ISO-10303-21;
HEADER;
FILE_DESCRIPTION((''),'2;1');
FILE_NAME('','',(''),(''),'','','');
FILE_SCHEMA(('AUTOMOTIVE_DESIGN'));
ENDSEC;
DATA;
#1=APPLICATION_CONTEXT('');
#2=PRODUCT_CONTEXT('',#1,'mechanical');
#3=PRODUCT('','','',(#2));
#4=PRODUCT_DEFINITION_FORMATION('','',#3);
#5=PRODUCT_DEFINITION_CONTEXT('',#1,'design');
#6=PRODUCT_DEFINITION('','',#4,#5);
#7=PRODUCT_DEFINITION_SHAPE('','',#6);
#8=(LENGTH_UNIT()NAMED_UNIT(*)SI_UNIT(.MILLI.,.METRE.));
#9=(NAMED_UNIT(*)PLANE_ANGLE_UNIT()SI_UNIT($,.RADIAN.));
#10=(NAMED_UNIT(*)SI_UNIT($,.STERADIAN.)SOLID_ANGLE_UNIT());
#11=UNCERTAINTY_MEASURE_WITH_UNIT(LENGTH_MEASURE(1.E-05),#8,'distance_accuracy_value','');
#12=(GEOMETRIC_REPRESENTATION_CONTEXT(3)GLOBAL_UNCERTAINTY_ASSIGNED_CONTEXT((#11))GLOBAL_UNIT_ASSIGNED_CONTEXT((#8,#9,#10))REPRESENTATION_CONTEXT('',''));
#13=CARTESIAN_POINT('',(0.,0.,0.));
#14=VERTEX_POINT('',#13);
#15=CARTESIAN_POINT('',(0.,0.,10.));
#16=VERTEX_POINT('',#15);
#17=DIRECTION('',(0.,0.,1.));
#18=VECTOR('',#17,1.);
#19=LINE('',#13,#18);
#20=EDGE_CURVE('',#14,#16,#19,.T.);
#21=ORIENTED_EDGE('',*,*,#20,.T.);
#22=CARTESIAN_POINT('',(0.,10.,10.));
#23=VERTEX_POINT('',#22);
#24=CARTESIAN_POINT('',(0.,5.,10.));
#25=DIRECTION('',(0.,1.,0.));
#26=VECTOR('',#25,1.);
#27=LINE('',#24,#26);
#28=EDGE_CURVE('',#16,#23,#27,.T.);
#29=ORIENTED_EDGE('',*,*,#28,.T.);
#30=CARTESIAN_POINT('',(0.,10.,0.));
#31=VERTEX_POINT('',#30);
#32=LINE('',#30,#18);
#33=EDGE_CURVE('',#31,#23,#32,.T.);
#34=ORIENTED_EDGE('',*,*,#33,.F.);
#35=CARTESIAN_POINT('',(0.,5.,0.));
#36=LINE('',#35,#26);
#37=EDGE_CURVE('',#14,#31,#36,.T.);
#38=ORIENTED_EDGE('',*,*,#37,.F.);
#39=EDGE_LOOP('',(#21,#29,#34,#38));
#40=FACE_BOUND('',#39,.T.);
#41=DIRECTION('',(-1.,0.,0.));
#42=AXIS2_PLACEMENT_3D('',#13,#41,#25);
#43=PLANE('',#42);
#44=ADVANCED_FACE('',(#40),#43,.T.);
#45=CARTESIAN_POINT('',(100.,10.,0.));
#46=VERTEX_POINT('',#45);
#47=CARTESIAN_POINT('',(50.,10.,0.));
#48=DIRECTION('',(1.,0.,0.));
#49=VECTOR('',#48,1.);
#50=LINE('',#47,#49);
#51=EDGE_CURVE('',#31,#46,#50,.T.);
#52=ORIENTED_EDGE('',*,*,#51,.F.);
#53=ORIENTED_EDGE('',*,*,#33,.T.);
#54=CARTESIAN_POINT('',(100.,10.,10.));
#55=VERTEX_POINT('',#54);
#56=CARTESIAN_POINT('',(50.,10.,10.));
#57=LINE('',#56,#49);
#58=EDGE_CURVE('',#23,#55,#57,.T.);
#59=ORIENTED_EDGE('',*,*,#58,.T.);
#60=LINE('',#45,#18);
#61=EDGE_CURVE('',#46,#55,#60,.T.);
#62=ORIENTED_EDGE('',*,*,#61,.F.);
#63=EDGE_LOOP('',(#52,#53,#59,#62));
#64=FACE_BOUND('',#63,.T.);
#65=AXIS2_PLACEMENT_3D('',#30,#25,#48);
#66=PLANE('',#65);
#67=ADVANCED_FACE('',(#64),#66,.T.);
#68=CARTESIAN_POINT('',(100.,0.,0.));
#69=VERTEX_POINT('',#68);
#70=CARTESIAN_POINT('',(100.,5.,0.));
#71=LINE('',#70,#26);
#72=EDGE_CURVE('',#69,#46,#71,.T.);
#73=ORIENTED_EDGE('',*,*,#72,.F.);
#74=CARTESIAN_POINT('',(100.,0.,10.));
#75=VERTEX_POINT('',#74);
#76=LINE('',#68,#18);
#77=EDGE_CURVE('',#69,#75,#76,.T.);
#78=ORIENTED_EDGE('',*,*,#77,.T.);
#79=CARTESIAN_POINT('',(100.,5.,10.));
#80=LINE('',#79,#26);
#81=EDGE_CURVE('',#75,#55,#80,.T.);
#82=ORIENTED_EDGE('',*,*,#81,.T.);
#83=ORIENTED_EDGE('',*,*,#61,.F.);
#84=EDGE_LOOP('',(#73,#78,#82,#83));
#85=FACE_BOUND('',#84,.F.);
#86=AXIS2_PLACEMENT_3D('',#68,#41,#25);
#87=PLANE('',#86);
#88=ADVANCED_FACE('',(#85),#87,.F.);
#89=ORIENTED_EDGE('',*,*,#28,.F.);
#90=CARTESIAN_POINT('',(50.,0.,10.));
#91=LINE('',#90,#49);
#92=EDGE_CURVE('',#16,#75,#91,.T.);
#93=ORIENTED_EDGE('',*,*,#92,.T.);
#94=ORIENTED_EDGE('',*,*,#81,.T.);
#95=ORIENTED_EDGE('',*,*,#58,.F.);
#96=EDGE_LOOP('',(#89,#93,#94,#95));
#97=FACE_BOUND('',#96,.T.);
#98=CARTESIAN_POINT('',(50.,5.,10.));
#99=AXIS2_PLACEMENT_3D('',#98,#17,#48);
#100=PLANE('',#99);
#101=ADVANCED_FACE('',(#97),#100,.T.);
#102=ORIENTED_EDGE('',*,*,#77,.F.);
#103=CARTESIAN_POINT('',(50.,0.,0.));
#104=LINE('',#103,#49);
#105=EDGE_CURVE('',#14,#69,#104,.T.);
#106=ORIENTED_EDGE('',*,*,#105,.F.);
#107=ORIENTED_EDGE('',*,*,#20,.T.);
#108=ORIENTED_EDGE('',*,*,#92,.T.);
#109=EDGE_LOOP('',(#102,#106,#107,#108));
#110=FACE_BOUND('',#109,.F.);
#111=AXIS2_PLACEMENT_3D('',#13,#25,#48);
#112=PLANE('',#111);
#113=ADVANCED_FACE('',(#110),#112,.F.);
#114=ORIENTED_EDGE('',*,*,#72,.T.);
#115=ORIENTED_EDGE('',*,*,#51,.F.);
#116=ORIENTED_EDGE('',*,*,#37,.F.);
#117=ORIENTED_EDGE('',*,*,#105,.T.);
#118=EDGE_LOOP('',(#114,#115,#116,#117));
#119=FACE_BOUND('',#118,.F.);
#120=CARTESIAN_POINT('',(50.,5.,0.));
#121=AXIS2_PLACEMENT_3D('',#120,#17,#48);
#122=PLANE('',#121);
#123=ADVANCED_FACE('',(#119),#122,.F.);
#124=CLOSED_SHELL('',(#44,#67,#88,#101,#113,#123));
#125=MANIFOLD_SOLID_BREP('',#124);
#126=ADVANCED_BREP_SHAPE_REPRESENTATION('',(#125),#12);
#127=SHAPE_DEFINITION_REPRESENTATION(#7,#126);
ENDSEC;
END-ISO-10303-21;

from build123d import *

# Parameters (mm, degrees)
BEAM_W     = 100
BEAM_H     = 10
BEAM_DEPTH = 10


with BuildPart() as part:
    # Beam → Beam (new body)
    with BuildSketch(Plane.XY):
        with Locations((50, 5)):
            Rectangle(BEAM_W, BEAM_H)
    extrude(amount=BEAM_DEPTH)


solid = part.part
